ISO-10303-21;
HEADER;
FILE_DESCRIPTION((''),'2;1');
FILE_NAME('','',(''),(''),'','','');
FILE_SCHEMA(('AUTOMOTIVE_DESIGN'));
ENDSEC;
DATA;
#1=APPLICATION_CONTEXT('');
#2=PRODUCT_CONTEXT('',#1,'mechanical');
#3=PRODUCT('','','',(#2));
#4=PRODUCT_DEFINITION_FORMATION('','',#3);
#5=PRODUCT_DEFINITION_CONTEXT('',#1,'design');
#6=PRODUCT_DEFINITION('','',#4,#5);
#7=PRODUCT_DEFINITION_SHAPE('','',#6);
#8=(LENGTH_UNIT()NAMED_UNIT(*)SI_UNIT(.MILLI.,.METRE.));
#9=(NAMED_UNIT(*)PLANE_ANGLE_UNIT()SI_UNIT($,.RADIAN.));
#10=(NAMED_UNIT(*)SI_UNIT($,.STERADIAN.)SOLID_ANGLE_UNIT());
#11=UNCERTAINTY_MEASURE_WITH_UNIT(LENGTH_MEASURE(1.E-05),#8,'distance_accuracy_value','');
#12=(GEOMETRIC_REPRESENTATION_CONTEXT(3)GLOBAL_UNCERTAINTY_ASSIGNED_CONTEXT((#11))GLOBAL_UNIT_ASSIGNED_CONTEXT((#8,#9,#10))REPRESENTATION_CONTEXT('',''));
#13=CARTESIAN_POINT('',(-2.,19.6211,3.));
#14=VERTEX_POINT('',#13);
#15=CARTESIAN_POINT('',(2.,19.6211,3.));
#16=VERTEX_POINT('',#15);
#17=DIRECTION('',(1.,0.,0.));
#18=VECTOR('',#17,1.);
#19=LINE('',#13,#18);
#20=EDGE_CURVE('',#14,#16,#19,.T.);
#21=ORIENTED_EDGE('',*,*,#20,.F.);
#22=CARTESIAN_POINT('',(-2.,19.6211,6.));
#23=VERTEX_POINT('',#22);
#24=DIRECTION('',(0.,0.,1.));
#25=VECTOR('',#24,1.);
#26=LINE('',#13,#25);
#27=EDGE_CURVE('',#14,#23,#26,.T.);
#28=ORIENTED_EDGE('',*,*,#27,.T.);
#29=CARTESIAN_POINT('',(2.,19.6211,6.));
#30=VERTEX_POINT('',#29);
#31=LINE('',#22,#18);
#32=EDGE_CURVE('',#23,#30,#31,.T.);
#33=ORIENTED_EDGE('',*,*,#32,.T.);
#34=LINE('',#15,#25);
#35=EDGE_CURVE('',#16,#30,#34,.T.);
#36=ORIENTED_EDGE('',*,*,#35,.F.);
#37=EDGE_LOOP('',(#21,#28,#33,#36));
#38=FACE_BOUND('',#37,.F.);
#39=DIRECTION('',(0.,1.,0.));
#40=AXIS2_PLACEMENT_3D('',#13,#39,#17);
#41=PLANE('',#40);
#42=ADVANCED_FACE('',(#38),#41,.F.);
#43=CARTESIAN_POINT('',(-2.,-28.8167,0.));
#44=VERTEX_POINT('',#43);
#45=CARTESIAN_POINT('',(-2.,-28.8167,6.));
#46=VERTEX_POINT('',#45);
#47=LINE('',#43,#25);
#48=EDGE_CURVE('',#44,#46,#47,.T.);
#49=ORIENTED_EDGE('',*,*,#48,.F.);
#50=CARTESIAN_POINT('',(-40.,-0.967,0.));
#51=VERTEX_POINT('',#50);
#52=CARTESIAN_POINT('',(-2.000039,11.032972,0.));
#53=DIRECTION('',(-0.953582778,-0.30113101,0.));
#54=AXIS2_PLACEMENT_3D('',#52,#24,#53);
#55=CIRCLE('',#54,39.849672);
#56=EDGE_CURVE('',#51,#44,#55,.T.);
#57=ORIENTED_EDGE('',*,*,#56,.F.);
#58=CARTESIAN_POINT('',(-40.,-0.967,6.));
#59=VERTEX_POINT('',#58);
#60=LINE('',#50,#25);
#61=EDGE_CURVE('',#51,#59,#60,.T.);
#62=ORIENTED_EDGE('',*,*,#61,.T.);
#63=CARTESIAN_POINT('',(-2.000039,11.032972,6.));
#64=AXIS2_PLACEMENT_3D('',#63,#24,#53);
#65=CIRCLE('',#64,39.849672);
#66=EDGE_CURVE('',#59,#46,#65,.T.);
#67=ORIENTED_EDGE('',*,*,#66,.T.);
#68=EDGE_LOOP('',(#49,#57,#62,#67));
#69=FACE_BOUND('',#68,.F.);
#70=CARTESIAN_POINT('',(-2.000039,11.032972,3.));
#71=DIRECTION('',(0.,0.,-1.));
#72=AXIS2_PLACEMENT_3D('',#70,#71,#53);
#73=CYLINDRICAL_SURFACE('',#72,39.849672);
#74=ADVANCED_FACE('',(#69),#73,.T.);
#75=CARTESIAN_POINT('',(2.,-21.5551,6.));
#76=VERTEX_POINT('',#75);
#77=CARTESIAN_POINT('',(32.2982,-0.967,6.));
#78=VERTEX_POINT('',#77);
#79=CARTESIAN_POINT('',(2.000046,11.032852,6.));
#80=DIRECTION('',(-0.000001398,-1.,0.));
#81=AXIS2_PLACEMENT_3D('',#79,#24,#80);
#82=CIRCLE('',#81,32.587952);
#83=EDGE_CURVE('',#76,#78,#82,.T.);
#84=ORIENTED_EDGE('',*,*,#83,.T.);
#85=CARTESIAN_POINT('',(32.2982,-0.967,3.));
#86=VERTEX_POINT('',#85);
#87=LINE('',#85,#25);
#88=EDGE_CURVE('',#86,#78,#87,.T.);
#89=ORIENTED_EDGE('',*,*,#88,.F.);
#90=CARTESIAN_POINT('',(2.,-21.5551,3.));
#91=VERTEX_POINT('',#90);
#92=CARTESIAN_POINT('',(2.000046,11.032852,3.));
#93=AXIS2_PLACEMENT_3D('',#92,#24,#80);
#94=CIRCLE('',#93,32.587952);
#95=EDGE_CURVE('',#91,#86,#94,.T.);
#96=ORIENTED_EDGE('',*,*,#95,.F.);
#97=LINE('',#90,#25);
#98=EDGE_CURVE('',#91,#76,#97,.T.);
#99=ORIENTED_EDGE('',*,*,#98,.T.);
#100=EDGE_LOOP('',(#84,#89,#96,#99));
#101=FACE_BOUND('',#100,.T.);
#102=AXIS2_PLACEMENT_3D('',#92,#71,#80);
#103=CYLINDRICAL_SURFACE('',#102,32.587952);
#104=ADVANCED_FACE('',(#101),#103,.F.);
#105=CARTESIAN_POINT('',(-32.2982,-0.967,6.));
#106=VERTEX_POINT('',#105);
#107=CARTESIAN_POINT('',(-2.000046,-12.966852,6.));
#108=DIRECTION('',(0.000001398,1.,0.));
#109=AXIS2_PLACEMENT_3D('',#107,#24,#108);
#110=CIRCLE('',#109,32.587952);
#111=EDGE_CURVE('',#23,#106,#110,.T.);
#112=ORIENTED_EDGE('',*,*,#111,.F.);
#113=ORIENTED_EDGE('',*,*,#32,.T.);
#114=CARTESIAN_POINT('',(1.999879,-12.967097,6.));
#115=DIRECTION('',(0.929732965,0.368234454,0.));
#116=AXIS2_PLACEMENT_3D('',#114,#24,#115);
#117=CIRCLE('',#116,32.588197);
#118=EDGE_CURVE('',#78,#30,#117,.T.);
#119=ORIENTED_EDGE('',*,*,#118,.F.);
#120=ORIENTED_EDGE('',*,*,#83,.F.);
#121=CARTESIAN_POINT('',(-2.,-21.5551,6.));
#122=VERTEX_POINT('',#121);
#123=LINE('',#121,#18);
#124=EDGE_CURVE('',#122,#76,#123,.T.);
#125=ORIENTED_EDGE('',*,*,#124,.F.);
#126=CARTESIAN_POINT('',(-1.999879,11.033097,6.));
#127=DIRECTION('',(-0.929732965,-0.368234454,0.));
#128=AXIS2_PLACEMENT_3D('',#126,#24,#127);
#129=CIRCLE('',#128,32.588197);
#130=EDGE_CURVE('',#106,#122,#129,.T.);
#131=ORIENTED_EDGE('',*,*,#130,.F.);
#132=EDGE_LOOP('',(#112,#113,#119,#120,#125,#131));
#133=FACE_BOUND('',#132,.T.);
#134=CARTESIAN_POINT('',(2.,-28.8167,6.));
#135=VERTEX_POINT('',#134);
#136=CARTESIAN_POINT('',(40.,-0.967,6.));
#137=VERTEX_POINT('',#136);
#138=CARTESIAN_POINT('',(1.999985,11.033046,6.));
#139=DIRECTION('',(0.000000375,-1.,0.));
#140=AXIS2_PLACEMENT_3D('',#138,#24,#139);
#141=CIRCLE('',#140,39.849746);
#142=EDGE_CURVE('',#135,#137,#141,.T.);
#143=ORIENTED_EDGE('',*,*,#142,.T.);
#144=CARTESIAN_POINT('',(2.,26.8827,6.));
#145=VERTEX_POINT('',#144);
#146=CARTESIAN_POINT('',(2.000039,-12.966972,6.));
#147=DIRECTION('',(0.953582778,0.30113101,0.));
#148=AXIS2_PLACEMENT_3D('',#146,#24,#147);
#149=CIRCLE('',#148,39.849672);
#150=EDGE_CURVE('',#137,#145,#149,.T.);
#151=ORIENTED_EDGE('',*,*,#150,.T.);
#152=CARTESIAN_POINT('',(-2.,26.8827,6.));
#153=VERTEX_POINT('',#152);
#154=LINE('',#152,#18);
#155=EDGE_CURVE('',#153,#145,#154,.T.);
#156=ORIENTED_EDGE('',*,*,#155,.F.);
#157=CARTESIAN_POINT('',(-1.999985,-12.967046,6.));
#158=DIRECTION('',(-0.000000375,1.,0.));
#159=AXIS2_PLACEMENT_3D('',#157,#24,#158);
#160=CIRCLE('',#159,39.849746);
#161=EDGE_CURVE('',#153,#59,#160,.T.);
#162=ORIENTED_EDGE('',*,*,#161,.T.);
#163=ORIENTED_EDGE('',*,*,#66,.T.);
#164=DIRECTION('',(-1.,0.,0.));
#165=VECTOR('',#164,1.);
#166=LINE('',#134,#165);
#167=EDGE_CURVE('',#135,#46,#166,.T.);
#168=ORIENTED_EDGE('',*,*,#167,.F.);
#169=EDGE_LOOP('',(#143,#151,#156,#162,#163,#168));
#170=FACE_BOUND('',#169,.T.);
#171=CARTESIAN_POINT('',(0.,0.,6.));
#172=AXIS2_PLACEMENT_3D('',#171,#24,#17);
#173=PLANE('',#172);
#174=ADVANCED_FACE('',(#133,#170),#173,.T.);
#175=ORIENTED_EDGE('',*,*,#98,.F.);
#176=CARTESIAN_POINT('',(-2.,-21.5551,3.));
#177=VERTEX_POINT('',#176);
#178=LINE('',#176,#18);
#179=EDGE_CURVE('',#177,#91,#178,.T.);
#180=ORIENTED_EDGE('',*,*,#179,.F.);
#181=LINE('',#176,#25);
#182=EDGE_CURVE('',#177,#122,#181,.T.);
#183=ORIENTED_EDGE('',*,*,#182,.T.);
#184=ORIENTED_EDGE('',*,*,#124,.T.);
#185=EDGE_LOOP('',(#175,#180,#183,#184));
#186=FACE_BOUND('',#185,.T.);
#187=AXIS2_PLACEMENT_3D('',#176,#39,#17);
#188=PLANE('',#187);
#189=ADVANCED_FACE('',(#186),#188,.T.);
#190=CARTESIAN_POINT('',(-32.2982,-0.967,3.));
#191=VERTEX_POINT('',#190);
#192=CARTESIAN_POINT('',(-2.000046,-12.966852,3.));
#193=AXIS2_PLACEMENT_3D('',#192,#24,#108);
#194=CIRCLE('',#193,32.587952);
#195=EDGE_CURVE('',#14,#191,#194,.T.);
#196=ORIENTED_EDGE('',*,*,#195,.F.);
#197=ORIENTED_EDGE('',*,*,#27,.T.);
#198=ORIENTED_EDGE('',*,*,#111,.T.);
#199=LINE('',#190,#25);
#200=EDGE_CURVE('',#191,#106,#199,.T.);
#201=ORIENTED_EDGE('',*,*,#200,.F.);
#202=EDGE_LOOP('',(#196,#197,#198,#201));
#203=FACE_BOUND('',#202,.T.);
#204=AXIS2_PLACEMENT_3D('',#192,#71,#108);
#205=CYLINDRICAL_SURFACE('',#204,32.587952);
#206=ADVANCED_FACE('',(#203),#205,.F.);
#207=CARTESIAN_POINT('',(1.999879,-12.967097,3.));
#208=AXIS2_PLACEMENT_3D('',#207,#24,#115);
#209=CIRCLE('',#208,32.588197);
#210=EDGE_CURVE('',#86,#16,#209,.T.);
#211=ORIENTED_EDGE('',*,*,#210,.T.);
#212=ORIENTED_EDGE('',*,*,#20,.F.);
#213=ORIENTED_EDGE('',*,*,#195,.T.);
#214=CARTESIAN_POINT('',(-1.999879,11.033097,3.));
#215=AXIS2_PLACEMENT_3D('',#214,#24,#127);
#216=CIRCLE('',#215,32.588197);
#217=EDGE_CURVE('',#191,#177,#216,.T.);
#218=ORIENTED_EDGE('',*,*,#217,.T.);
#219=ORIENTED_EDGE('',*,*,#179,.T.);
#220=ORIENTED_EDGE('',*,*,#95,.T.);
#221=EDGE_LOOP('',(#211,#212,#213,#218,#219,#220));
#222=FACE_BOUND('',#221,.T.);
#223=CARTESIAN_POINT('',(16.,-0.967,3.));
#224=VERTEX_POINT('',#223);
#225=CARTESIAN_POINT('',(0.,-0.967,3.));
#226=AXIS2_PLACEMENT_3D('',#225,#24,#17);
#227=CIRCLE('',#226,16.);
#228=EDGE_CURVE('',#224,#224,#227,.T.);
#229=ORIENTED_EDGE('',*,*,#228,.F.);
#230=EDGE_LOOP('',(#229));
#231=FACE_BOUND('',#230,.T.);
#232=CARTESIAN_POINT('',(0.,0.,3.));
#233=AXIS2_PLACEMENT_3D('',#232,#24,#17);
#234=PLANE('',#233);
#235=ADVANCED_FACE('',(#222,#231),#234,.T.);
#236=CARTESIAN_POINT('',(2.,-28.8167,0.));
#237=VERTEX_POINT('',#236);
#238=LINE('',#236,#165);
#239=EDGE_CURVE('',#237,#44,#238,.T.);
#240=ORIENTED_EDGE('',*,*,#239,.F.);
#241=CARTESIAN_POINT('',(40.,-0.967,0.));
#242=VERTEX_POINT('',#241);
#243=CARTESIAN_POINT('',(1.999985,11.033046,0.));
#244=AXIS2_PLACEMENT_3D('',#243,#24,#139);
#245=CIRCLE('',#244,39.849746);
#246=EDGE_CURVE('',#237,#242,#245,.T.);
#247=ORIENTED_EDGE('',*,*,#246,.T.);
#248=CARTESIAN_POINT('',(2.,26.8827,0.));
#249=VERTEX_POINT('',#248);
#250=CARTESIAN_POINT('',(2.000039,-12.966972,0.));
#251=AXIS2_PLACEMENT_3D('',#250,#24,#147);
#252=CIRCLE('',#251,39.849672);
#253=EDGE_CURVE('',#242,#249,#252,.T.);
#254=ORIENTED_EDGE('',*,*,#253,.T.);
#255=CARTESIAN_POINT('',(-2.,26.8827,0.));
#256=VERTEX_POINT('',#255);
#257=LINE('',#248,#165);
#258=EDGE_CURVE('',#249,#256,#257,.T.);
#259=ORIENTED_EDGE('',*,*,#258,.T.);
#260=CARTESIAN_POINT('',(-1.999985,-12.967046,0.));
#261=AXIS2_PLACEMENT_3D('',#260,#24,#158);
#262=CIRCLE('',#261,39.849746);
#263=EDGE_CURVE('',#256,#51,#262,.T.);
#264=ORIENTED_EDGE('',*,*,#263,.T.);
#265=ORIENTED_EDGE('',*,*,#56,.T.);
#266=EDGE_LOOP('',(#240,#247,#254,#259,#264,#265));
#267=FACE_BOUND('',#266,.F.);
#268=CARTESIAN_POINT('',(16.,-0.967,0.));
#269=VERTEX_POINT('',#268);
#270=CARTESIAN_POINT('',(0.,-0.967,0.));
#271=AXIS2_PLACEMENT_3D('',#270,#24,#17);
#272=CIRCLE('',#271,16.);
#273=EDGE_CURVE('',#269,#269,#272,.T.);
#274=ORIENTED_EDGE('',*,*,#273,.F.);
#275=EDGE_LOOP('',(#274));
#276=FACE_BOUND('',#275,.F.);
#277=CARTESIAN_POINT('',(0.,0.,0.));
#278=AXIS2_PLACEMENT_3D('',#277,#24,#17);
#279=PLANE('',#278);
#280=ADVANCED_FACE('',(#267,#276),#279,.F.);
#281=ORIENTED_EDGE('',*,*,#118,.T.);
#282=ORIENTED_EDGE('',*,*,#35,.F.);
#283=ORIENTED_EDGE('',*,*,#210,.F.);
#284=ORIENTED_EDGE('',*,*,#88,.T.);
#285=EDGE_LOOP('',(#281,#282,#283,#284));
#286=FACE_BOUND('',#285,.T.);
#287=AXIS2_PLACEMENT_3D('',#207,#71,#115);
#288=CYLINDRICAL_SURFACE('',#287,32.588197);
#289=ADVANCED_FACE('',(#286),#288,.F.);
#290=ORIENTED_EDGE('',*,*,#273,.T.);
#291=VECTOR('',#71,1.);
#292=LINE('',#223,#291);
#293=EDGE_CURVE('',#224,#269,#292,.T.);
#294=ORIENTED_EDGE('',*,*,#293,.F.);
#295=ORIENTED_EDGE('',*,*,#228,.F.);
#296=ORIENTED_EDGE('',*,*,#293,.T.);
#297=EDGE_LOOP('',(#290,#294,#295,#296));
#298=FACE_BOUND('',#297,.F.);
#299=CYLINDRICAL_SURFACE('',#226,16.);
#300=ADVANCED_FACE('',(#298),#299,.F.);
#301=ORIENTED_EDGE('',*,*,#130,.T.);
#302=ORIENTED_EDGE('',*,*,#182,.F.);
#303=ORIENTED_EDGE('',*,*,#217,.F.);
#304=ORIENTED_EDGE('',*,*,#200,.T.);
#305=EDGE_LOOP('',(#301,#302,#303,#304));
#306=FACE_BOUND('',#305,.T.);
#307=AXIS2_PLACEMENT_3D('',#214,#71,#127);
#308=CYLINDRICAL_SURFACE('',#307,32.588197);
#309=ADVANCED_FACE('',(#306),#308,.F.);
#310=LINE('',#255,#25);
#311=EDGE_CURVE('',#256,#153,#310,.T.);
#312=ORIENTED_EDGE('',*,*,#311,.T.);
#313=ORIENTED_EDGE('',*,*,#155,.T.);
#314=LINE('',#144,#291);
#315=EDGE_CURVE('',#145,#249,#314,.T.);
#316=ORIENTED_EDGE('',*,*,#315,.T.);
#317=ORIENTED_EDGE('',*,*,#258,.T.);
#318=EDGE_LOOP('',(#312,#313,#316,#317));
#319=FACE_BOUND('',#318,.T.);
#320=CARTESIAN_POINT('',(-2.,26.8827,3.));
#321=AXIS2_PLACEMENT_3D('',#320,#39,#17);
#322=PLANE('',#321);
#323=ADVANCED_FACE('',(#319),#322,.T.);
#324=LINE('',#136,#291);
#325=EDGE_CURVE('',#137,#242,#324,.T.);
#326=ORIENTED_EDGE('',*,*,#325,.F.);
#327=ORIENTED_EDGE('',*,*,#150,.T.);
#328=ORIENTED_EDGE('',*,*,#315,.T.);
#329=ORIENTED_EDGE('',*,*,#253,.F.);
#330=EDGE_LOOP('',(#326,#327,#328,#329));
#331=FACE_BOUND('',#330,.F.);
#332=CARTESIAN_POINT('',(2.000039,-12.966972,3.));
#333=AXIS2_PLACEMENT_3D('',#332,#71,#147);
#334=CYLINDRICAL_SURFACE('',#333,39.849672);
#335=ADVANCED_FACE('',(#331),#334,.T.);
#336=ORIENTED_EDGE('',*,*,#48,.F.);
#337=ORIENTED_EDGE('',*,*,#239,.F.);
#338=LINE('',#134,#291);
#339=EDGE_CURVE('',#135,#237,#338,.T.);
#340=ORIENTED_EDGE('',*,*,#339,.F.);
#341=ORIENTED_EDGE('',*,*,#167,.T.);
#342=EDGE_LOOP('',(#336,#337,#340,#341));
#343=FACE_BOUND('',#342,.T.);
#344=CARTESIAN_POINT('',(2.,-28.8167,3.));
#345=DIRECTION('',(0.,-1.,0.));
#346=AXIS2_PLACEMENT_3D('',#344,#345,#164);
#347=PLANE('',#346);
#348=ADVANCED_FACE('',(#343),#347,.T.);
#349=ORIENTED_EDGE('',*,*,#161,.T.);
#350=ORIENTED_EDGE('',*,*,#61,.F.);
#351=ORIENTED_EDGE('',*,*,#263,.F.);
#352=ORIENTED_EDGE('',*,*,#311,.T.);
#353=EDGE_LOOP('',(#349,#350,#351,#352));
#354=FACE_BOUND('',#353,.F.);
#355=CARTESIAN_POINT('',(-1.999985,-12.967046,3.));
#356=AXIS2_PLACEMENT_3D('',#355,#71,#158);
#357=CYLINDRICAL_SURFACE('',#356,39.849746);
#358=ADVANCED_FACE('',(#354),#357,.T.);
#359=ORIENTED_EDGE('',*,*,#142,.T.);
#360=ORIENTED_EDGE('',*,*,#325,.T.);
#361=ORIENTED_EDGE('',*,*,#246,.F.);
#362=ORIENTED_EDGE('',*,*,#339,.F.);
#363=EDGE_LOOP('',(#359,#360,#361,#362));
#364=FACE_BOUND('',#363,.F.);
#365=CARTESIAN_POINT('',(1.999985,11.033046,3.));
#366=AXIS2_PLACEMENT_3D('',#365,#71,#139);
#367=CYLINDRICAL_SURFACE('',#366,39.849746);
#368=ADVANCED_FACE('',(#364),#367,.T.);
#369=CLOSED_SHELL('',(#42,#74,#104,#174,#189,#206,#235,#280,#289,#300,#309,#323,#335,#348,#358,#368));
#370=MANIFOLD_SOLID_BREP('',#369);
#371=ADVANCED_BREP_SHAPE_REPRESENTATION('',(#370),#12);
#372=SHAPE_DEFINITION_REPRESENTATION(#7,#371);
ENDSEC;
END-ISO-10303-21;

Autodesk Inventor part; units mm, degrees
ref_plane "YZ Plane" through (0, 0, 0) normal (1, 0, 0) x (0, 1, 0)
ref_plane "XZ Plane" through (0, 0, 0) normal (0, 1, 0) x (-1, 0, 0)
ref_plane "XY Plane" through (0, 0, 0) normal (0, 0, 1) x (1, 0, 0)
sketch "Sketch1" plane through (0, 0, 0) normal (0, 0, 1) x (1, 0, 0)
  line L0 (-40, 40) -> (40, 40)
  line L1 (40, 40) -> (40, -40)
  line L2 (40, -40) -> (-40, -40)
  line L3 (-40, -40) -> (-40, 40)
  line L4 (-40, 40) -> (40, -40) construction
  line L5 (40, 40) -> (-40, -40) construction
  point P0 (0, 0)
  dimension "d0" = 80
  dimension "d1" = 80
extrude "Extrusion1" add sketch "Sketch1" along normal blind 3
sketch "Sketch2" plane through (0, 0, 3) normal (0, 0, 1) x (1, 0, 0)
  arc A0 (-2, 26.8827) -> (-40, -0.967) centre (-2, -12.967) ccw projected
  arc A1 (40, -0.967) -> (2, 26.8827) centre (2, -12.967) ccw projected
  line L0 (2, 26.8827) -> (-2, 26.8827) projected
  line L1 (-40, -0.967) -> (40, -0.967) construction
  line L2 (40, -40) -> (40, 40) construction
  arc A2 (-2, 26.8827) -> (-40, -0.967) centre (-2, -12.967) ccw construction
  arc A3 (40, -0.967) -> (2, 26.8827) centre (2, -12.967) ccw construction
  arc A4 (-2, 26.8827) -> (-40, -0.967) centre (-2, -12.967) ccw
  arc A5 (40, -0.967) -> (2, 26.8827) centre (2, -12.967) ccw
  line L3 (-2, 26.8827) -> (2, 26.8827)
  arc A6 (-2, 26.8827) -> (-40, -0.967) centre (-2, -12.967) ccw
  arc A7 (40, -0.967) -> (2, 26.8827) centre (2, -12.967) ccw
  line L4 (2, 26.8827) -> (-2, 26.8827)
  arc A8 (-40, -0.967) -> (-2, -28.8167) centre (-2, 11.033) ccw
  arc A9 (2, -28.8167) -> (40, -0.967) centre (2, 11.033) ccw
  line L5 (2, -28.8167) -> (-2, -28.8167)
  line L6 (-40, 40) -> (-40, -40) projected
  line L7 (-40, -0.967) -> (-40, 40)
  line L8 (40, 40) -> (-40, 40) projected
  line L9 (-40, 40) -> (40, 40)
  line L10 (40, 40) -> (40, -0.967)
  line L11 (40, -0.967) -> (40, -40)
  line L12 (-40, -40) -> (40, -40) projected
  line L13 (-40, -40) -> (40, -40)
  line L14 (40, -40) -> (-40, -40)
  point P0 (0, 0)
extrude "Extrusion2" cut sketch "Sketch2" against normal blind 3 contours A0 L6 L8 L10 A1 L0 | A8 L5 A9 L11 L12 L6
sketch "Sketch3" plane through (0, 0, 3) normal (0, 0, 1) x (1, 0, 0)
  circle A0 centre (0, -0.967) radius 16 projected
  point P0 (0, 0)
extrude "Extrusion3" cut sketch "Sketch3" against normal blind 3
sketch "Sketch4" plane through (0, 0, 3) normal (0, 0, 1) x (1, 0, 0)
  arc A0 (-2, 19.6211) -> (-32.2982, -0.967) centre (-2, -12.967) ccw projected
  arc A1 (32.2982, -0.967) -> (2, 19.6211) centre (2, -12.967) ccw projected
  line L0 (-2, 19.6211) -> (2, 19.6211) projected
  arc A2 (-2, 19.6211) -> (-32.2982, -0.967) centre (-2, -12.967) ccw
  arc A3 (32.2982, -0.967) -> (2, 19.6211) centre (2, -12.967) ccw
  line L1 (2, 19.6211) -> (-2, 19.6211)
  line L2 (32.2982, -0.967) -> (-32.2982, -0.967) construction
  arc A4 (-32.2982, -0.967) -> (-2, -21.5551) centre (-2, 11.033) ccw
  arc A5 (2, -21.5551) -> (32.2982, -0.967) centre (2, 11.033) ccw
  line L3 (-2, -21.5551) -> (2, -21.5551)
  arc A6 (-2, 26.8827) -> (-40, -0.967) centre (-2, -12.967) ccw construction
  line L4 (-2, 26.8827) -> (2, 26.8827) construction
  arc A7 (40, -0.967) -> (2, 26.8827) centre (2, -12.967) ccw construction
  arc A8 (-40, -0.967) -> (-2, -28.8167) centre (-2, 11.033) ccw construction
  line L5 (2, -28.8167) -> (-2, -28.8167) construction
  arc A9 (2, -28.8167) -> (35, -11.3053) centre (2, 11.033) ccw construction
  arc A10 (2, -28.8167) -> (40, -0.967) centre (2, 11.033) ccw construction
  arc A11 (-2, 26.8827) -> (-40, -0.967) centre (-2, -12.967) ccw construction
  arc A12 (-2, 26.8827) -> (-40, -0.967) centre (-2, -12.967) ccw
  arc A13 (40, -0.967) -> (2, 26.8827) centre (2, -12.967) ccw
  arc A14 (2, -28.8167) -> (40, -0.967) centre (2, 11.033) ccw
  arc A15 (-40, -0.967) -> (-2, -28.8167) centre (-2, 11.033) ccw
  line L6 (-2, 26.8827) -> (2, 26.8827) projected
  line L7 (-2, 26.8827) -> (2, 26.8827)
  line L8 (2, -28.8167) -> (-2, -28.8167)
  point P0 (0, 0)
extrude "Extrusion4" add sketch "Sketch4" along normal blind 3
